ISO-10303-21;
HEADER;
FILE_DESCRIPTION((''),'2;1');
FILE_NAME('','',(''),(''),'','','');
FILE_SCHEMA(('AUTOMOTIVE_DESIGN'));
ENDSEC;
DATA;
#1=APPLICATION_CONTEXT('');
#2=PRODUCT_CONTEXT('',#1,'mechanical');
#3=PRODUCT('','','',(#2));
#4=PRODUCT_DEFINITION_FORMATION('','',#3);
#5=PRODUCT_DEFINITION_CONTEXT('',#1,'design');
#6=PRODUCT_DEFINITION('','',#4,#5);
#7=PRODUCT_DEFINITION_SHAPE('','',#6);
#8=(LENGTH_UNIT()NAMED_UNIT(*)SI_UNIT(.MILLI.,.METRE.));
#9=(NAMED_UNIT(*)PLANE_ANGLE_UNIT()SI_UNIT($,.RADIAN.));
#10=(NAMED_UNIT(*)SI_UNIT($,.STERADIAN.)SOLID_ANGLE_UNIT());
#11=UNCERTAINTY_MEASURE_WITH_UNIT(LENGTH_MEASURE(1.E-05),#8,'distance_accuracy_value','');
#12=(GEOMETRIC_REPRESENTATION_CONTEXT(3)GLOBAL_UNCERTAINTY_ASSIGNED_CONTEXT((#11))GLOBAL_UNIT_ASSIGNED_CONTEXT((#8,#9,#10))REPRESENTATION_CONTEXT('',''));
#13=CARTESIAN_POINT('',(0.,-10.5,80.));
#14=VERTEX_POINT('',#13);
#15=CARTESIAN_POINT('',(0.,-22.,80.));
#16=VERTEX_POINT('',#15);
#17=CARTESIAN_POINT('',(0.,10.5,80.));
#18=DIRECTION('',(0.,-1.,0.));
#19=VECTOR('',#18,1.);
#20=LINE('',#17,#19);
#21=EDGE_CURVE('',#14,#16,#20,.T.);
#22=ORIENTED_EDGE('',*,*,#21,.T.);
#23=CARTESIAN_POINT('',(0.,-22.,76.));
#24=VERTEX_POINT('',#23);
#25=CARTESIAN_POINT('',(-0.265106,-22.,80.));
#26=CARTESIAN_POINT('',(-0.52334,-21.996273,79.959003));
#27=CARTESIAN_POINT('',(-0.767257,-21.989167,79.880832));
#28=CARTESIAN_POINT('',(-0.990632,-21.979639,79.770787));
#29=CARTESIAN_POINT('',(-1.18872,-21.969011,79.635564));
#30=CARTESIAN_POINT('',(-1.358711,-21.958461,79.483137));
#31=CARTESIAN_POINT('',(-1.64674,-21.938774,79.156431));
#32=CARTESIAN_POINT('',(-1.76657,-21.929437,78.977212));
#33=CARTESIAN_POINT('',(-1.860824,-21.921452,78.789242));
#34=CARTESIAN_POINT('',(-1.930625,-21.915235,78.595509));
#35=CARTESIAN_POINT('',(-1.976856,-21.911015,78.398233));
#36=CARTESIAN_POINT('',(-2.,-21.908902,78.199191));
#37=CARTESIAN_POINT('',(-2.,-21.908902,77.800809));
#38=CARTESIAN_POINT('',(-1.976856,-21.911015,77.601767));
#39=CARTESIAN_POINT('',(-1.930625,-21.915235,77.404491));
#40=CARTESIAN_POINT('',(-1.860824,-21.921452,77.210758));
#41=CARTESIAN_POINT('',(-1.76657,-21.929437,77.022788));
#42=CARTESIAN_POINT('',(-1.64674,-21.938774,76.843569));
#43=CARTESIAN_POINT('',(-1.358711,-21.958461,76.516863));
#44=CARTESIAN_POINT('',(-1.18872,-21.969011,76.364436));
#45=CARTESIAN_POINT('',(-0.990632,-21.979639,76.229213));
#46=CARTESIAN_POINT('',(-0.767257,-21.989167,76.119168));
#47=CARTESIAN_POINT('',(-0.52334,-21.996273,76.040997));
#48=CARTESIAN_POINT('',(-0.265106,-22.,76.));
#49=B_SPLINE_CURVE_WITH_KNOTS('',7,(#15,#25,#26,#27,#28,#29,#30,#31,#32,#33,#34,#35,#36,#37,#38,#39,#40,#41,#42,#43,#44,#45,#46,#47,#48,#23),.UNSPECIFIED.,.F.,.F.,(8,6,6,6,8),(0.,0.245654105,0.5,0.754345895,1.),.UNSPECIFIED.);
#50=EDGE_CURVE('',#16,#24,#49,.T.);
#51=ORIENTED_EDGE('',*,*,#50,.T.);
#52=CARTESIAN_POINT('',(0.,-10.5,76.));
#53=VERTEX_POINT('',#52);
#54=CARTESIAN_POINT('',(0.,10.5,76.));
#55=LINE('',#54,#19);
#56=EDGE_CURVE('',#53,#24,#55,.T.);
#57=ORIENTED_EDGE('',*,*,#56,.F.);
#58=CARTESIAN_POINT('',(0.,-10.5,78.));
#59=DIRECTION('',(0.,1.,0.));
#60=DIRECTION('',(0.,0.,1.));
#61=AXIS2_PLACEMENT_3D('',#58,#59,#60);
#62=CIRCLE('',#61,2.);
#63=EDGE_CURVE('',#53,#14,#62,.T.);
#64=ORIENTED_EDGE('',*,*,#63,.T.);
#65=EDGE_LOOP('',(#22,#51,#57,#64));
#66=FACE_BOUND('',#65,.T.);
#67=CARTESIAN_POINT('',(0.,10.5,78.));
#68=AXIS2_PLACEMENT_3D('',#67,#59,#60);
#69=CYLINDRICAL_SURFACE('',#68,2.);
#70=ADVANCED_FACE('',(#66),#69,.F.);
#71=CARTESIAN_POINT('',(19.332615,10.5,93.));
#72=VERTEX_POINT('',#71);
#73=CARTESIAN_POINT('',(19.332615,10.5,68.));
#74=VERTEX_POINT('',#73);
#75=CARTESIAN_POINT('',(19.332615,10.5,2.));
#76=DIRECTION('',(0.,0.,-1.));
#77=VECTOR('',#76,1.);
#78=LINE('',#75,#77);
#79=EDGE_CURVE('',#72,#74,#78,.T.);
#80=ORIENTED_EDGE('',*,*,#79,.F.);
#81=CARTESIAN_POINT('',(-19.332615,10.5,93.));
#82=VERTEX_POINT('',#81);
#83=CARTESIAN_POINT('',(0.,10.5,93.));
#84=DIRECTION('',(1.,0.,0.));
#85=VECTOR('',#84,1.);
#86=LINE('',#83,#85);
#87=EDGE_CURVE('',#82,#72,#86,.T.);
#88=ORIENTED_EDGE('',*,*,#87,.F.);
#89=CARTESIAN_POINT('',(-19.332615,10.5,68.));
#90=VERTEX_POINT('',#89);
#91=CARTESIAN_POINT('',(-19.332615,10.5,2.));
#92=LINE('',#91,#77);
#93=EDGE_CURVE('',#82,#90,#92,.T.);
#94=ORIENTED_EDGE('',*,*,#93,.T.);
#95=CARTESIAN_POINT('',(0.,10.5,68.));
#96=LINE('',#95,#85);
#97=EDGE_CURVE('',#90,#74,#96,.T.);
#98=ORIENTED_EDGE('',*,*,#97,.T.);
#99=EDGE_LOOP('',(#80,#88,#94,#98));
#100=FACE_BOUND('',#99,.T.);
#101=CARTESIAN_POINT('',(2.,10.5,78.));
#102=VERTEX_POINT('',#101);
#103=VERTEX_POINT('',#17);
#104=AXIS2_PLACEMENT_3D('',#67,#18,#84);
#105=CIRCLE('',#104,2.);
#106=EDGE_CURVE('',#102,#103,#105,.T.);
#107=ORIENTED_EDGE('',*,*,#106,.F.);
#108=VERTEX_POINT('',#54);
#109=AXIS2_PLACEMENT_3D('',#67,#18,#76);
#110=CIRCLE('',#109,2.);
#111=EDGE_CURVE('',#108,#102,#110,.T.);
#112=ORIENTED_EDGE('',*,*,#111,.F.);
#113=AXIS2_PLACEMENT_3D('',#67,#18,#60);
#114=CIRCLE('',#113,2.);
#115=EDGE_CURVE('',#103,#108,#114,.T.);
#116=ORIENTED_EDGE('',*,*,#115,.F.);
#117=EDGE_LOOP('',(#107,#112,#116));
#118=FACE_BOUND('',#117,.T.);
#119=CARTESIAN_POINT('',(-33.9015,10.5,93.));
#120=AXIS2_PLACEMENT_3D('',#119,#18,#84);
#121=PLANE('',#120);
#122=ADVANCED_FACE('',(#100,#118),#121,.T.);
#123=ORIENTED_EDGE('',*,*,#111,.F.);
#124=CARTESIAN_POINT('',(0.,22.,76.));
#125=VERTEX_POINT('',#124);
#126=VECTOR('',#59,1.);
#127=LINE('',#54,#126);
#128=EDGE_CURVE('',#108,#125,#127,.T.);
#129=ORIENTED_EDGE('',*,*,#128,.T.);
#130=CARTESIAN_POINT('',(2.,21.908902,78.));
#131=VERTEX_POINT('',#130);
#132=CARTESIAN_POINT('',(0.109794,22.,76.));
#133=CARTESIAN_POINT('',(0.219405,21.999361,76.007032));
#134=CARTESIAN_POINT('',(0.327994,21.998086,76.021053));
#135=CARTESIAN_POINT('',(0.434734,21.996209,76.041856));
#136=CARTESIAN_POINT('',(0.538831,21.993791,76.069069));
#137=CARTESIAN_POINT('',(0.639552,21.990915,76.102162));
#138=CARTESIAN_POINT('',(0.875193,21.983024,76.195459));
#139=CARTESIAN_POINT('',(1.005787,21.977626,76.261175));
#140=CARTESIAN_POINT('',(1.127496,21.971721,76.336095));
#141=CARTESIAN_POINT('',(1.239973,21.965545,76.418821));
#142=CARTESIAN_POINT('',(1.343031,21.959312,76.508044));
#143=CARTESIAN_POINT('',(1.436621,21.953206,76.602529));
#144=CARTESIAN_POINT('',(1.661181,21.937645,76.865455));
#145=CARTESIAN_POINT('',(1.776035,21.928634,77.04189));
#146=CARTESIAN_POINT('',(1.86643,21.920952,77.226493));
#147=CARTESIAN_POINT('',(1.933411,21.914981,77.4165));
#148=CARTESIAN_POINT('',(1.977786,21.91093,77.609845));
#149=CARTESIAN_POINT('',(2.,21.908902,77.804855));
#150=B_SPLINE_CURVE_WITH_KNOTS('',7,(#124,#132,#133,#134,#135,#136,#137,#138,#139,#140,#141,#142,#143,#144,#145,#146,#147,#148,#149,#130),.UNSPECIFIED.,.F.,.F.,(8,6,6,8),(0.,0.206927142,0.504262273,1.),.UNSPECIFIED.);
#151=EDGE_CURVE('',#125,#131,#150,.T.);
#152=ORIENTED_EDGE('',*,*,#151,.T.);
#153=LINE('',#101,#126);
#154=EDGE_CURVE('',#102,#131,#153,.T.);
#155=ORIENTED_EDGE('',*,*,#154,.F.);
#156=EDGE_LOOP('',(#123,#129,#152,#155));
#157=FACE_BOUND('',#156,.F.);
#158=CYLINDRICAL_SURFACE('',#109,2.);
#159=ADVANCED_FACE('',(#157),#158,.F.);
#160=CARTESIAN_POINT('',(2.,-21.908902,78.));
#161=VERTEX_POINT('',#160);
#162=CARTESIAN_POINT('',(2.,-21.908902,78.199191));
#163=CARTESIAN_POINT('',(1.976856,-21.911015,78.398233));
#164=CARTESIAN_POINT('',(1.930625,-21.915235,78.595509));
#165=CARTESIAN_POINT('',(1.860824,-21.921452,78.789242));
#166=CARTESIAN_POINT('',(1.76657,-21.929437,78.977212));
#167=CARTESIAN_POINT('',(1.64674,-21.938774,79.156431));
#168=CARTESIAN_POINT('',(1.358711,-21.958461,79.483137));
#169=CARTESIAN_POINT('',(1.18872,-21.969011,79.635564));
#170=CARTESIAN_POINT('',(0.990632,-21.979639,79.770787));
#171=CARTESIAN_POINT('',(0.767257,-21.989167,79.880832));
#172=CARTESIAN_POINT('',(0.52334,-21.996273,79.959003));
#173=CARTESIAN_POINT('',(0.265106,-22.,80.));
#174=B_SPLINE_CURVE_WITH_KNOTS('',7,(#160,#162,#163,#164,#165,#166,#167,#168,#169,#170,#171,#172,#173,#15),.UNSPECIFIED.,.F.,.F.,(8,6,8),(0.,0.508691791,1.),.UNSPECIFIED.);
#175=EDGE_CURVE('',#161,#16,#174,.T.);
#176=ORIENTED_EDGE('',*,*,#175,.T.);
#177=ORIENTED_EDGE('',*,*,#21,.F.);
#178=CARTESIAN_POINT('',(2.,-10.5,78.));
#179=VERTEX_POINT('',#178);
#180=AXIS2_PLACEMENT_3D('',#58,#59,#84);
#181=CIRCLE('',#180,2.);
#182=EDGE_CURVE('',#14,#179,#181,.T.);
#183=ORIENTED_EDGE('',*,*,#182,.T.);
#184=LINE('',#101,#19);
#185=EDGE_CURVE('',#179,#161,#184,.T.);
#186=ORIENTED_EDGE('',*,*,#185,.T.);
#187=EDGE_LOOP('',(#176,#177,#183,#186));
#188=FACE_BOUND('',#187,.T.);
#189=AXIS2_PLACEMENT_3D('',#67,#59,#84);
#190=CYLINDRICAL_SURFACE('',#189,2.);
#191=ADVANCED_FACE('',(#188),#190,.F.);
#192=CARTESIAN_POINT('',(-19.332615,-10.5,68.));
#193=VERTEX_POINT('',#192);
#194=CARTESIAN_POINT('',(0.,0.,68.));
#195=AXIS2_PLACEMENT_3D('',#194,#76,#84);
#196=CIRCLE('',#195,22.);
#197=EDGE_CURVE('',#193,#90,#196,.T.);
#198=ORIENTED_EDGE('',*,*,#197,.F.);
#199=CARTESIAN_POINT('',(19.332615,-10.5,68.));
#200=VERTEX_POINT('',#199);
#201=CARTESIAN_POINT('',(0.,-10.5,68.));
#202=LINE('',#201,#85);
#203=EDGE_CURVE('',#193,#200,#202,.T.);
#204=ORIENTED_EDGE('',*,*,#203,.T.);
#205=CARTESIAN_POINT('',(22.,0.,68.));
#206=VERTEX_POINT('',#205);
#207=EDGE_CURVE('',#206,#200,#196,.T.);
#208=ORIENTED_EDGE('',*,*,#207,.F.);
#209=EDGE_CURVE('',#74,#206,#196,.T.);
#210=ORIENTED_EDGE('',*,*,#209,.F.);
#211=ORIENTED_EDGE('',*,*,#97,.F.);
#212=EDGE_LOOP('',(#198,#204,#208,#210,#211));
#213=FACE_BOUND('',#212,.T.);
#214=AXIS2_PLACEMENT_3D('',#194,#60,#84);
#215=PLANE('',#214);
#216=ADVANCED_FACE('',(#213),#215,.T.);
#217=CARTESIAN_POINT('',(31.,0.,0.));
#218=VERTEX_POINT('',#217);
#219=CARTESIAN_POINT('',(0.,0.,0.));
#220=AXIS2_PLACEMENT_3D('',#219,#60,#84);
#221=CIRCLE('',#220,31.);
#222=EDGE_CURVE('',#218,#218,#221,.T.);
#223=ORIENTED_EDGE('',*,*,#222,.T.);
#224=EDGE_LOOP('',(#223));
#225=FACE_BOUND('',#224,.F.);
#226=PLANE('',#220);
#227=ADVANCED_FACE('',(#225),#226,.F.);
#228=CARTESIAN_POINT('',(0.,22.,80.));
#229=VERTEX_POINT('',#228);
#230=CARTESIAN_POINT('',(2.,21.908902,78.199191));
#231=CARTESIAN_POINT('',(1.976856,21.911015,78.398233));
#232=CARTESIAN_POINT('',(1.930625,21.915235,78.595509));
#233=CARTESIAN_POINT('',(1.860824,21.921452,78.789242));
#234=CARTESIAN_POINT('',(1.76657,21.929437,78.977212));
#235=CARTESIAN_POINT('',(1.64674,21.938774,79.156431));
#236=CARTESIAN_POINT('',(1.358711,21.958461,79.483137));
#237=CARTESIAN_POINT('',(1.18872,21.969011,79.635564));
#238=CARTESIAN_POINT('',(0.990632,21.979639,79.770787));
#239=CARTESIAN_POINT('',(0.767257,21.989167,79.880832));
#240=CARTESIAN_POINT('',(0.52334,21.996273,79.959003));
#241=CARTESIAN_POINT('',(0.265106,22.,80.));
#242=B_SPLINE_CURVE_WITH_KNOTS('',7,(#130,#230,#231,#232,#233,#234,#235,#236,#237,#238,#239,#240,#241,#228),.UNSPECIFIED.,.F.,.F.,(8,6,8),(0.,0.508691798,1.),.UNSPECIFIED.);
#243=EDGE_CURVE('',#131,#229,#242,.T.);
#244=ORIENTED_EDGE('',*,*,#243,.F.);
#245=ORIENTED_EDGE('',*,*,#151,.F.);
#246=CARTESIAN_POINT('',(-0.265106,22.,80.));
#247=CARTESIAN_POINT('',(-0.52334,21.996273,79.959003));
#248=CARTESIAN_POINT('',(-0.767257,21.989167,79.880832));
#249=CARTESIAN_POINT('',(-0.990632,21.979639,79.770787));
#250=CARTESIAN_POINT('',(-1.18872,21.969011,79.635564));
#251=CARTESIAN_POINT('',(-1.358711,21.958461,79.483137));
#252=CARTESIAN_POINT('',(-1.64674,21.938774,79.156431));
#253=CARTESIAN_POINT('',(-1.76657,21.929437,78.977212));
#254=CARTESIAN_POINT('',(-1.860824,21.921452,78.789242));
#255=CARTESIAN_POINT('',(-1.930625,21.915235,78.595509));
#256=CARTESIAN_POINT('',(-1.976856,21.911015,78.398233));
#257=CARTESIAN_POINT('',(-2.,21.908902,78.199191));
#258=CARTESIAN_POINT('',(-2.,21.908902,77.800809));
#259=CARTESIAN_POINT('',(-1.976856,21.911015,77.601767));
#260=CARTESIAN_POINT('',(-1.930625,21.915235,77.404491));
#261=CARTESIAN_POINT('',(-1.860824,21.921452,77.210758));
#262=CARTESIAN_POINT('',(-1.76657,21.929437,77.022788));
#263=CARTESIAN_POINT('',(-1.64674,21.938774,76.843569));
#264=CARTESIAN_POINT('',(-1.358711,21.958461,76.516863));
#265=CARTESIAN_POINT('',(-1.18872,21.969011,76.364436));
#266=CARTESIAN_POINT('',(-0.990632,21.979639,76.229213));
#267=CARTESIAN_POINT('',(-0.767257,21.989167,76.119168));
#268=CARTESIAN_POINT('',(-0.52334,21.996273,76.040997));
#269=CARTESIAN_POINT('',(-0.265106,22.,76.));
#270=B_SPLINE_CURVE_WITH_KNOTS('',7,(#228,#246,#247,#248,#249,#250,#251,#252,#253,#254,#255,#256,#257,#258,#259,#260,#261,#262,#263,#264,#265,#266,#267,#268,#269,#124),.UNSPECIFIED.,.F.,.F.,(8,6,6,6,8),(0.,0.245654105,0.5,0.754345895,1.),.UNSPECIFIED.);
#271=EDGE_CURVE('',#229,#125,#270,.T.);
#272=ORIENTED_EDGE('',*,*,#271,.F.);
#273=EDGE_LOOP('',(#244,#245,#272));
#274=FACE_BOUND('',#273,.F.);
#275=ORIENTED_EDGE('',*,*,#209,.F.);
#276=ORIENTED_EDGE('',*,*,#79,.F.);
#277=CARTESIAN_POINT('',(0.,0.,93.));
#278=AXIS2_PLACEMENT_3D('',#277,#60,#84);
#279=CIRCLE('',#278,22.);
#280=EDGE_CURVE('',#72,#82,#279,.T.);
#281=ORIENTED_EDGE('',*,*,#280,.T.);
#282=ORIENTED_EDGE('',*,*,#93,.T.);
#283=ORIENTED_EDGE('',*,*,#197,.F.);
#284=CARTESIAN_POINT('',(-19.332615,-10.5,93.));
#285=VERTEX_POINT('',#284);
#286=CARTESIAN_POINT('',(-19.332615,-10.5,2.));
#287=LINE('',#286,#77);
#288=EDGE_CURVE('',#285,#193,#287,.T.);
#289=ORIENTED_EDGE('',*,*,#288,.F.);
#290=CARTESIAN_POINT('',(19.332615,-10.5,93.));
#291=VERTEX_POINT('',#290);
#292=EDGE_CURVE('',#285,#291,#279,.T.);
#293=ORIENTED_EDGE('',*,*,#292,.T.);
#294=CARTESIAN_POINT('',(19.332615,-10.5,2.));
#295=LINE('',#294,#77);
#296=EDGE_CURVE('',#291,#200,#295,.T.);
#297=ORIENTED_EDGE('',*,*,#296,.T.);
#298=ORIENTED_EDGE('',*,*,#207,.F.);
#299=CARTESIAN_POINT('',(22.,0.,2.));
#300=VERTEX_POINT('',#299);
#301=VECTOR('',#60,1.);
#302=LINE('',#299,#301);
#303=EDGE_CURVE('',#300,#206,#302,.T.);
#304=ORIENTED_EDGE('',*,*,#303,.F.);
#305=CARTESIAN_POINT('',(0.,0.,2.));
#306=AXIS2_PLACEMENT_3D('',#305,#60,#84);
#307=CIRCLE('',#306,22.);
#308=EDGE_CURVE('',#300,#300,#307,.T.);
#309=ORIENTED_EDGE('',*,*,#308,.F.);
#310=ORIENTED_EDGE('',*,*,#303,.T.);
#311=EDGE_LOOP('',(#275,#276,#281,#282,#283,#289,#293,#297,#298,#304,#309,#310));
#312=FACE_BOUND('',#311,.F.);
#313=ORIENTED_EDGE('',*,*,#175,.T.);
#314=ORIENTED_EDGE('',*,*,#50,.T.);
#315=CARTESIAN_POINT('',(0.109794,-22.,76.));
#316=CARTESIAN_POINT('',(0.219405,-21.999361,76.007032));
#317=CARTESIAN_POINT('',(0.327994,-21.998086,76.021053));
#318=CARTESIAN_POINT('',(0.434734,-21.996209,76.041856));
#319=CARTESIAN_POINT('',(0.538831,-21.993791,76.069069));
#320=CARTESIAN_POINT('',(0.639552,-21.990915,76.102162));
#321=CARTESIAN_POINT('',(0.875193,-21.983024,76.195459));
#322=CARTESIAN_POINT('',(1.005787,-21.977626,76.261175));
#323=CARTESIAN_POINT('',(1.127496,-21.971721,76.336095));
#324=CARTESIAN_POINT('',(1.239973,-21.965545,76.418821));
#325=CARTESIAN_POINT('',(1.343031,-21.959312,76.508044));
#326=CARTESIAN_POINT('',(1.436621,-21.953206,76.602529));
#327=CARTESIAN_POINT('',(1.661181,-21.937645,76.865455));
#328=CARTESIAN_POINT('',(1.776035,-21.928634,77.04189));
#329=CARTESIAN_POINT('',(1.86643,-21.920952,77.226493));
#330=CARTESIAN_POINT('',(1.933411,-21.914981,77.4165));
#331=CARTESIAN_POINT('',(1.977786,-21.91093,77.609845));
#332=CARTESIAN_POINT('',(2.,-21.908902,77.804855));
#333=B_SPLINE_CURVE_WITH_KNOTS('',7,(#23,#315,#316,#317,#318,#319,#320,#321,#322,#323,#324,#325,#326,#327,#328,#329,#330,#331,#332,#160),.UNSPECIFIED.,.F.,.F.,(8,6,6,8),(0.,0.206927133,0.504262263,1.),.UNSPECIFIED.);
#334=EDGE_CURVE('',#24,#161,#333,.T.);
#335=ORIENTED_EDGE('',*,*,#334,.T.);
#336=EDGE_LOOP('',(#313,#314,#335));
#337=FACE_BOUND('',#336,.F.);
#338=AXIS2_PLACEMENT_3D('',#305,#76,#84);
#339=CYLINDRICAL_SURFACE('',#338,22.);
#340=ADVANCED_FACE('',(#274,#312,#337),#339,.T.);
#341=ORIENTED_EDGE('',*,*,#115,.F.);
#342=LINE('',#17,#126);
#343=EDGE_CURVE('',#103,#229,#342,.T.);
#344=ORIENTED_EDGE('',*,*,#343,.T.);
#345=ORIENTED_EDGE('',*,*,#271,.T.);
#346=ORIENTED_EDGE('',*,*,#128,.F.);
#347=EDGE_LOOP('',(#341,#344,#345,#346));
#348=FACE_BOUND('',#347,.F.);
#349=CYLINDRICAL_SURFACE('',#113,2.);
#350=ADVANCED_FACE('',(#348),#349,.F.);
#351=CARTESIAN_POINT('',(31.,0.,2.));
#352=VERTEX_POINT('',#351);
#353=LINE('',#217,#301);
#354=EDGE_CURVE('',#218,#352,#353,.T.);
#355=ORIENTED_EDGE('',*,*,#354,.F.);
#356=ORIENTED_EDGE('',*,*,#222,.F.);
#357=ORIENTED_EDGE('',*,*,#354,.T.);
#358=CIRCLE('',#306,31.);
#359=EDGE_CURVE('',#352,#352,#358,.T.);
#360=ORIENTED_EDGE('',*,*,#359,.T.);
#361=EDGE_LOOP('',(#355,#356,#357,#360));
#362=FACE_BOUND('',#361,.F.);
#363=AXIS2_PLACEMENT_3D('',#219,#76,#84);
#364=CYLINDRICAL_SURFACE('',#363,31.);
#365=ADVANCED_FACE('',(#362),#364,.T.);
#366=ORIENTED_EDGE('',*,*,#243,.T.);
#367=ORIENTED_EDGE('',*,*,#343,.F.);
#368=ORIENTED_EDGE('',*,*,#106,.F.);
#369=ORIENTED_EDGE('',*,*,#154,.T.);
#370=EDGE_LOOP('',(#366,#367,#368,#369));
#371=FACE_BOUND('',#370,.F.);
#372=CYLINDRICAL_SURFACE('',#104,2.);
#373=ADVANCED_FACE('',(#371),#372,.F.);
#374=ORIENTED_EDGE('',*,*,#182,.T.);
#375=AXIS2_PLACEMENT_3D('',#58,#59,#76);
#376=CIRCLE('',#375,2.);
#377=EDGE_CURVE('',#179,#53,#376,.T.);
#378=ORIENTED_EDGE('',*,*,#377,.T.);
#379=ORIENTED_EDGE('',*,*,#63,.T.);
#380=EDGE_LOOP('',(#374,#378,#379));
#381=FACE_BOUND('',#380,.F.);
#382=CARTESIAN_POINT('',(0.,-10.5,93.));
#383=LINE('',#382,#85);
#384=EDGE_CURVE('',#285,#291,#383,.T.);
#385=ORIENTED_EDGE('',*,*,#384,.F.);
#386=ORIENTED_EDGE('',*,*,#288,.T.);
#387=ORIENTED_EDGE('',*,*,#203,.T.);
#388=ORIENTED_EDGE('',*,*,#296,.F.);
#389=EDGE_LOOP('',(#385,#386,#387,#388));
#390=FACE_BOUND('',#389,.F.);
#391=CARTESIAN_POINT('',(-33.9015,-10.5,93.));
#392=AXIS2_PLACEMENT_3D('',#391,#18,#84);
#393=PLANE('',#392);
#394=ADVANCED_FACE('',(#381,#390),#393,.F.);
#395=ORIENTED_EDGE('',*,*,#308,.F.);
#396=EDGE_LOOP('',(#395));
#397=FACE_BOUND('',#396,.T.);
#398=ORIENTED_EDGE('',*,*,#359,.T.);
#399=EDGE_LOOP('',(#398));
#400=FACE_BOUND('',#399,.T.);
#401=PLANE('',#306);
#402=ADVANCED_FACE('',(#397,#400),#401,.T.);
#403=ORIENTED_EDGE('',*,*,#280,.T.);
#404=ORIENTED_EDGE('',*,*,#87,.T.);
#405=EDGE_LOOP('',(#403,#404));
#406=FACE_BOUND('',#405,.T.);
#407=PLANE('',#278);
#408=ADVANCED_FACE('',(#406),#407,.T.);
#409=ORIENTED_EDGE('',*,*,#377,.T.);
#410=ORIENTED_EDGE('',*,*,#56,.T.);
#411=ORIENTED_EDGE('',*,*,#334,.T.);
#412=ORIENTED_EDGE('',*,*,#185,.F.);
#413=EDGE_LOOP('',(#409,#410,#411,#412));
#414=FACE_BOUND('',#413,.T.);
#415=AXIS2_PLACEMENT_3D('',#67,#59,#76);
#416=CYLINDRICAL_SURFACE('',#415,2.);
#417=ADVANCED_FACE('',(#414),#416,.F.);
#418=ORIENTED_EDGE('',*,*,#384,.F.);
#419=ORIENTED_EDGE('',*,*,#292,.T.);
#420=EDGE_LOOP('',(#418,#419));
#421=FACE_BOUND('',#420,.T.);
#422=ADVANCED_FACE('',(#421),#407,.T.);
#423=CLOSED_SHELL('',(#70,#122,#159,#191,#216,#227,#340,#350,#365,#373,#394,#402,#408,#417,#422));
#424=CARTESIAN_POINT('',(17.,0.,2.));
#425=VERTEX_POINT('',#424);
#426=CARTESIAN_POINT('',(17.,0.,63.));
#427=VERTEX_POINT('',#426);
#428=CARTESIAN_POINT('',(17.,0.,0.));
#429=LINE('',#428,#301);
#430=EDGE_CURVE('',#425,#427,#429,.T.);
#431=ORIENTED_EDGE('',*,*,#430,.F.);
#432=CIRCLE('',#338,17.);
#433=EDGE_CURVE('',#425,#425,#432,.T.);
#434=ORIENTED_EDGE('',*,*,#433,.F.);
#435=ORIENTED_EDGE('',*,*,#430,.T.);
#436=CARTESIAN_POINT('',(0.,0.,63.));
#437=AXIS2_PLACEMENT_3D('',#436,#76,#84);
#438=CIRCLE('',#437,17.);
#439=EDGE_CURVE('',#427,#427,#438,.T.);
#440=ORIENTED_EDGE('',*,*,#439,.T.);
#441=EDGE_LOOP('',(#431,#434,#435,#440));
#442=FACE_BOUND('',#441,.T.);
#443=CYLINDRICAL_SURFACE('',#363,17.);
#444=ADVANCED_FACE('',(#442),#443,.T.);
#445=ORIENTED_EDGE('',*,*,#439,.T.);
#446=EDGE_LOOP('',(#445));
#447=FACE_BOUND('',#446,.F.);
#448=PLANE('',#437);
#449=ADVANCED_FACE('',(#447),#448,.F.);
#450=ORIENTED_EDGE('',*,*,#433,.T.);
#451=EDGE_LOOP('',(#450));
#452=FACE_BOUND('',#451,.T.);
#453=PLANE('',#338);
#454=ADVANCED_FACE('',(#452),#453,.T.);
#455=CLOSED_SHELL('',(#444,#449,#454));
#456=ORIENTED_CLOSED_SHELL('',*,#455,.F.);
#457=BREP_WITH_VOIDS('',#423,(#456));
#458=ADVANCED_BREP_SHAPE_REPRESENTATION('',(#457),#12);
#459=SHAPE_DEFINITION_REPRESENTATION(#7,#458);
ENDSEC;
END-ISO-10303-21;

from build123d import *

# Parameters (mm, degrees)
F0_R          = 31
F1_DEPTH      = 2
F2_R          = 22
F3_DEPTH      = 91
F4_W          = 67.803
F4_H          = 21
F5_DEPTH      = 25
F7_DEPTH      = 20.501
F7_DEPTH_BACK = 43.7
F8_R          = 17
F9_DEPTH      = 63
F10_R         = 31
F11_DEPTH     = 2


with BuildPart() as f1:
    # F0 (on Top) → F1 (new body)
    with BuildSketch(Plane.XY):
        Circle(F0_R)
    extrude(amount=F1_DEPTH)

    # F2 (on face) → F3 (join)
    with BuildSketch(Plane.XY.offset(2)):
        Circle(F2_R)
    extrude(amount=F3_DEPTH)

    # F4 (on face) → F5 (cut)
    with BuildSketch(Plane.XY.offset(93)):
        Rectangle(F4_W, F4_H)
    extrude(amount=-F5_DEPTH, mode=Mode.SUBTRACT)

    # F6 (on face) → F7 (cut, two sides)
    with BuildSketch(Plane.XZ.offset(-10.5)) as f7_sk:
        with BuildLine():
            ThreePointArc((0, 80), (-2, 78), (0, 76))
            Line((0, 76), (0, 78))
            Line((0, 78), (0, 80))
        make_face()
        with BuildLine():
            Line((0, 78), (0, 76))
            ThreePointArc((0, 76), (1.4142135624, 76.5857864376), (2, 78))
            ThreePointArc((2, 78), (1.4142135624, 79.4142135624), (0, 80))
            Line((0, 80), (0, 78))
        make_face()
    extrude(amount=-F7_DEPTH, mode=Mode.SUBTRACT)
    extrude(f7_sk.sketch, amount=F7_DEPTH_BACK, mode=Mode.SUBTRACT)

    # F8 (on face) → F9 (cut)
    with BuildSketch(Plane(origin=(0, 0, 0), x_dir=(1, 0, 0), z_dir=(0, 0, -1))):
        Circle(F8_R)
    extrude(amount=-F9_DEPTH, mode=Mode.SUBTRACT)

    # F10 (on face) → F11 (join)
    with BuildSketch(Plane(origin=(0, 0, 0), x_dir=(1, 0, 0), z_dir=(0, 0, -1))):
        Circle(F10_R)
    extrude(amount=-F11_DEPTH)


solid = f1.part
